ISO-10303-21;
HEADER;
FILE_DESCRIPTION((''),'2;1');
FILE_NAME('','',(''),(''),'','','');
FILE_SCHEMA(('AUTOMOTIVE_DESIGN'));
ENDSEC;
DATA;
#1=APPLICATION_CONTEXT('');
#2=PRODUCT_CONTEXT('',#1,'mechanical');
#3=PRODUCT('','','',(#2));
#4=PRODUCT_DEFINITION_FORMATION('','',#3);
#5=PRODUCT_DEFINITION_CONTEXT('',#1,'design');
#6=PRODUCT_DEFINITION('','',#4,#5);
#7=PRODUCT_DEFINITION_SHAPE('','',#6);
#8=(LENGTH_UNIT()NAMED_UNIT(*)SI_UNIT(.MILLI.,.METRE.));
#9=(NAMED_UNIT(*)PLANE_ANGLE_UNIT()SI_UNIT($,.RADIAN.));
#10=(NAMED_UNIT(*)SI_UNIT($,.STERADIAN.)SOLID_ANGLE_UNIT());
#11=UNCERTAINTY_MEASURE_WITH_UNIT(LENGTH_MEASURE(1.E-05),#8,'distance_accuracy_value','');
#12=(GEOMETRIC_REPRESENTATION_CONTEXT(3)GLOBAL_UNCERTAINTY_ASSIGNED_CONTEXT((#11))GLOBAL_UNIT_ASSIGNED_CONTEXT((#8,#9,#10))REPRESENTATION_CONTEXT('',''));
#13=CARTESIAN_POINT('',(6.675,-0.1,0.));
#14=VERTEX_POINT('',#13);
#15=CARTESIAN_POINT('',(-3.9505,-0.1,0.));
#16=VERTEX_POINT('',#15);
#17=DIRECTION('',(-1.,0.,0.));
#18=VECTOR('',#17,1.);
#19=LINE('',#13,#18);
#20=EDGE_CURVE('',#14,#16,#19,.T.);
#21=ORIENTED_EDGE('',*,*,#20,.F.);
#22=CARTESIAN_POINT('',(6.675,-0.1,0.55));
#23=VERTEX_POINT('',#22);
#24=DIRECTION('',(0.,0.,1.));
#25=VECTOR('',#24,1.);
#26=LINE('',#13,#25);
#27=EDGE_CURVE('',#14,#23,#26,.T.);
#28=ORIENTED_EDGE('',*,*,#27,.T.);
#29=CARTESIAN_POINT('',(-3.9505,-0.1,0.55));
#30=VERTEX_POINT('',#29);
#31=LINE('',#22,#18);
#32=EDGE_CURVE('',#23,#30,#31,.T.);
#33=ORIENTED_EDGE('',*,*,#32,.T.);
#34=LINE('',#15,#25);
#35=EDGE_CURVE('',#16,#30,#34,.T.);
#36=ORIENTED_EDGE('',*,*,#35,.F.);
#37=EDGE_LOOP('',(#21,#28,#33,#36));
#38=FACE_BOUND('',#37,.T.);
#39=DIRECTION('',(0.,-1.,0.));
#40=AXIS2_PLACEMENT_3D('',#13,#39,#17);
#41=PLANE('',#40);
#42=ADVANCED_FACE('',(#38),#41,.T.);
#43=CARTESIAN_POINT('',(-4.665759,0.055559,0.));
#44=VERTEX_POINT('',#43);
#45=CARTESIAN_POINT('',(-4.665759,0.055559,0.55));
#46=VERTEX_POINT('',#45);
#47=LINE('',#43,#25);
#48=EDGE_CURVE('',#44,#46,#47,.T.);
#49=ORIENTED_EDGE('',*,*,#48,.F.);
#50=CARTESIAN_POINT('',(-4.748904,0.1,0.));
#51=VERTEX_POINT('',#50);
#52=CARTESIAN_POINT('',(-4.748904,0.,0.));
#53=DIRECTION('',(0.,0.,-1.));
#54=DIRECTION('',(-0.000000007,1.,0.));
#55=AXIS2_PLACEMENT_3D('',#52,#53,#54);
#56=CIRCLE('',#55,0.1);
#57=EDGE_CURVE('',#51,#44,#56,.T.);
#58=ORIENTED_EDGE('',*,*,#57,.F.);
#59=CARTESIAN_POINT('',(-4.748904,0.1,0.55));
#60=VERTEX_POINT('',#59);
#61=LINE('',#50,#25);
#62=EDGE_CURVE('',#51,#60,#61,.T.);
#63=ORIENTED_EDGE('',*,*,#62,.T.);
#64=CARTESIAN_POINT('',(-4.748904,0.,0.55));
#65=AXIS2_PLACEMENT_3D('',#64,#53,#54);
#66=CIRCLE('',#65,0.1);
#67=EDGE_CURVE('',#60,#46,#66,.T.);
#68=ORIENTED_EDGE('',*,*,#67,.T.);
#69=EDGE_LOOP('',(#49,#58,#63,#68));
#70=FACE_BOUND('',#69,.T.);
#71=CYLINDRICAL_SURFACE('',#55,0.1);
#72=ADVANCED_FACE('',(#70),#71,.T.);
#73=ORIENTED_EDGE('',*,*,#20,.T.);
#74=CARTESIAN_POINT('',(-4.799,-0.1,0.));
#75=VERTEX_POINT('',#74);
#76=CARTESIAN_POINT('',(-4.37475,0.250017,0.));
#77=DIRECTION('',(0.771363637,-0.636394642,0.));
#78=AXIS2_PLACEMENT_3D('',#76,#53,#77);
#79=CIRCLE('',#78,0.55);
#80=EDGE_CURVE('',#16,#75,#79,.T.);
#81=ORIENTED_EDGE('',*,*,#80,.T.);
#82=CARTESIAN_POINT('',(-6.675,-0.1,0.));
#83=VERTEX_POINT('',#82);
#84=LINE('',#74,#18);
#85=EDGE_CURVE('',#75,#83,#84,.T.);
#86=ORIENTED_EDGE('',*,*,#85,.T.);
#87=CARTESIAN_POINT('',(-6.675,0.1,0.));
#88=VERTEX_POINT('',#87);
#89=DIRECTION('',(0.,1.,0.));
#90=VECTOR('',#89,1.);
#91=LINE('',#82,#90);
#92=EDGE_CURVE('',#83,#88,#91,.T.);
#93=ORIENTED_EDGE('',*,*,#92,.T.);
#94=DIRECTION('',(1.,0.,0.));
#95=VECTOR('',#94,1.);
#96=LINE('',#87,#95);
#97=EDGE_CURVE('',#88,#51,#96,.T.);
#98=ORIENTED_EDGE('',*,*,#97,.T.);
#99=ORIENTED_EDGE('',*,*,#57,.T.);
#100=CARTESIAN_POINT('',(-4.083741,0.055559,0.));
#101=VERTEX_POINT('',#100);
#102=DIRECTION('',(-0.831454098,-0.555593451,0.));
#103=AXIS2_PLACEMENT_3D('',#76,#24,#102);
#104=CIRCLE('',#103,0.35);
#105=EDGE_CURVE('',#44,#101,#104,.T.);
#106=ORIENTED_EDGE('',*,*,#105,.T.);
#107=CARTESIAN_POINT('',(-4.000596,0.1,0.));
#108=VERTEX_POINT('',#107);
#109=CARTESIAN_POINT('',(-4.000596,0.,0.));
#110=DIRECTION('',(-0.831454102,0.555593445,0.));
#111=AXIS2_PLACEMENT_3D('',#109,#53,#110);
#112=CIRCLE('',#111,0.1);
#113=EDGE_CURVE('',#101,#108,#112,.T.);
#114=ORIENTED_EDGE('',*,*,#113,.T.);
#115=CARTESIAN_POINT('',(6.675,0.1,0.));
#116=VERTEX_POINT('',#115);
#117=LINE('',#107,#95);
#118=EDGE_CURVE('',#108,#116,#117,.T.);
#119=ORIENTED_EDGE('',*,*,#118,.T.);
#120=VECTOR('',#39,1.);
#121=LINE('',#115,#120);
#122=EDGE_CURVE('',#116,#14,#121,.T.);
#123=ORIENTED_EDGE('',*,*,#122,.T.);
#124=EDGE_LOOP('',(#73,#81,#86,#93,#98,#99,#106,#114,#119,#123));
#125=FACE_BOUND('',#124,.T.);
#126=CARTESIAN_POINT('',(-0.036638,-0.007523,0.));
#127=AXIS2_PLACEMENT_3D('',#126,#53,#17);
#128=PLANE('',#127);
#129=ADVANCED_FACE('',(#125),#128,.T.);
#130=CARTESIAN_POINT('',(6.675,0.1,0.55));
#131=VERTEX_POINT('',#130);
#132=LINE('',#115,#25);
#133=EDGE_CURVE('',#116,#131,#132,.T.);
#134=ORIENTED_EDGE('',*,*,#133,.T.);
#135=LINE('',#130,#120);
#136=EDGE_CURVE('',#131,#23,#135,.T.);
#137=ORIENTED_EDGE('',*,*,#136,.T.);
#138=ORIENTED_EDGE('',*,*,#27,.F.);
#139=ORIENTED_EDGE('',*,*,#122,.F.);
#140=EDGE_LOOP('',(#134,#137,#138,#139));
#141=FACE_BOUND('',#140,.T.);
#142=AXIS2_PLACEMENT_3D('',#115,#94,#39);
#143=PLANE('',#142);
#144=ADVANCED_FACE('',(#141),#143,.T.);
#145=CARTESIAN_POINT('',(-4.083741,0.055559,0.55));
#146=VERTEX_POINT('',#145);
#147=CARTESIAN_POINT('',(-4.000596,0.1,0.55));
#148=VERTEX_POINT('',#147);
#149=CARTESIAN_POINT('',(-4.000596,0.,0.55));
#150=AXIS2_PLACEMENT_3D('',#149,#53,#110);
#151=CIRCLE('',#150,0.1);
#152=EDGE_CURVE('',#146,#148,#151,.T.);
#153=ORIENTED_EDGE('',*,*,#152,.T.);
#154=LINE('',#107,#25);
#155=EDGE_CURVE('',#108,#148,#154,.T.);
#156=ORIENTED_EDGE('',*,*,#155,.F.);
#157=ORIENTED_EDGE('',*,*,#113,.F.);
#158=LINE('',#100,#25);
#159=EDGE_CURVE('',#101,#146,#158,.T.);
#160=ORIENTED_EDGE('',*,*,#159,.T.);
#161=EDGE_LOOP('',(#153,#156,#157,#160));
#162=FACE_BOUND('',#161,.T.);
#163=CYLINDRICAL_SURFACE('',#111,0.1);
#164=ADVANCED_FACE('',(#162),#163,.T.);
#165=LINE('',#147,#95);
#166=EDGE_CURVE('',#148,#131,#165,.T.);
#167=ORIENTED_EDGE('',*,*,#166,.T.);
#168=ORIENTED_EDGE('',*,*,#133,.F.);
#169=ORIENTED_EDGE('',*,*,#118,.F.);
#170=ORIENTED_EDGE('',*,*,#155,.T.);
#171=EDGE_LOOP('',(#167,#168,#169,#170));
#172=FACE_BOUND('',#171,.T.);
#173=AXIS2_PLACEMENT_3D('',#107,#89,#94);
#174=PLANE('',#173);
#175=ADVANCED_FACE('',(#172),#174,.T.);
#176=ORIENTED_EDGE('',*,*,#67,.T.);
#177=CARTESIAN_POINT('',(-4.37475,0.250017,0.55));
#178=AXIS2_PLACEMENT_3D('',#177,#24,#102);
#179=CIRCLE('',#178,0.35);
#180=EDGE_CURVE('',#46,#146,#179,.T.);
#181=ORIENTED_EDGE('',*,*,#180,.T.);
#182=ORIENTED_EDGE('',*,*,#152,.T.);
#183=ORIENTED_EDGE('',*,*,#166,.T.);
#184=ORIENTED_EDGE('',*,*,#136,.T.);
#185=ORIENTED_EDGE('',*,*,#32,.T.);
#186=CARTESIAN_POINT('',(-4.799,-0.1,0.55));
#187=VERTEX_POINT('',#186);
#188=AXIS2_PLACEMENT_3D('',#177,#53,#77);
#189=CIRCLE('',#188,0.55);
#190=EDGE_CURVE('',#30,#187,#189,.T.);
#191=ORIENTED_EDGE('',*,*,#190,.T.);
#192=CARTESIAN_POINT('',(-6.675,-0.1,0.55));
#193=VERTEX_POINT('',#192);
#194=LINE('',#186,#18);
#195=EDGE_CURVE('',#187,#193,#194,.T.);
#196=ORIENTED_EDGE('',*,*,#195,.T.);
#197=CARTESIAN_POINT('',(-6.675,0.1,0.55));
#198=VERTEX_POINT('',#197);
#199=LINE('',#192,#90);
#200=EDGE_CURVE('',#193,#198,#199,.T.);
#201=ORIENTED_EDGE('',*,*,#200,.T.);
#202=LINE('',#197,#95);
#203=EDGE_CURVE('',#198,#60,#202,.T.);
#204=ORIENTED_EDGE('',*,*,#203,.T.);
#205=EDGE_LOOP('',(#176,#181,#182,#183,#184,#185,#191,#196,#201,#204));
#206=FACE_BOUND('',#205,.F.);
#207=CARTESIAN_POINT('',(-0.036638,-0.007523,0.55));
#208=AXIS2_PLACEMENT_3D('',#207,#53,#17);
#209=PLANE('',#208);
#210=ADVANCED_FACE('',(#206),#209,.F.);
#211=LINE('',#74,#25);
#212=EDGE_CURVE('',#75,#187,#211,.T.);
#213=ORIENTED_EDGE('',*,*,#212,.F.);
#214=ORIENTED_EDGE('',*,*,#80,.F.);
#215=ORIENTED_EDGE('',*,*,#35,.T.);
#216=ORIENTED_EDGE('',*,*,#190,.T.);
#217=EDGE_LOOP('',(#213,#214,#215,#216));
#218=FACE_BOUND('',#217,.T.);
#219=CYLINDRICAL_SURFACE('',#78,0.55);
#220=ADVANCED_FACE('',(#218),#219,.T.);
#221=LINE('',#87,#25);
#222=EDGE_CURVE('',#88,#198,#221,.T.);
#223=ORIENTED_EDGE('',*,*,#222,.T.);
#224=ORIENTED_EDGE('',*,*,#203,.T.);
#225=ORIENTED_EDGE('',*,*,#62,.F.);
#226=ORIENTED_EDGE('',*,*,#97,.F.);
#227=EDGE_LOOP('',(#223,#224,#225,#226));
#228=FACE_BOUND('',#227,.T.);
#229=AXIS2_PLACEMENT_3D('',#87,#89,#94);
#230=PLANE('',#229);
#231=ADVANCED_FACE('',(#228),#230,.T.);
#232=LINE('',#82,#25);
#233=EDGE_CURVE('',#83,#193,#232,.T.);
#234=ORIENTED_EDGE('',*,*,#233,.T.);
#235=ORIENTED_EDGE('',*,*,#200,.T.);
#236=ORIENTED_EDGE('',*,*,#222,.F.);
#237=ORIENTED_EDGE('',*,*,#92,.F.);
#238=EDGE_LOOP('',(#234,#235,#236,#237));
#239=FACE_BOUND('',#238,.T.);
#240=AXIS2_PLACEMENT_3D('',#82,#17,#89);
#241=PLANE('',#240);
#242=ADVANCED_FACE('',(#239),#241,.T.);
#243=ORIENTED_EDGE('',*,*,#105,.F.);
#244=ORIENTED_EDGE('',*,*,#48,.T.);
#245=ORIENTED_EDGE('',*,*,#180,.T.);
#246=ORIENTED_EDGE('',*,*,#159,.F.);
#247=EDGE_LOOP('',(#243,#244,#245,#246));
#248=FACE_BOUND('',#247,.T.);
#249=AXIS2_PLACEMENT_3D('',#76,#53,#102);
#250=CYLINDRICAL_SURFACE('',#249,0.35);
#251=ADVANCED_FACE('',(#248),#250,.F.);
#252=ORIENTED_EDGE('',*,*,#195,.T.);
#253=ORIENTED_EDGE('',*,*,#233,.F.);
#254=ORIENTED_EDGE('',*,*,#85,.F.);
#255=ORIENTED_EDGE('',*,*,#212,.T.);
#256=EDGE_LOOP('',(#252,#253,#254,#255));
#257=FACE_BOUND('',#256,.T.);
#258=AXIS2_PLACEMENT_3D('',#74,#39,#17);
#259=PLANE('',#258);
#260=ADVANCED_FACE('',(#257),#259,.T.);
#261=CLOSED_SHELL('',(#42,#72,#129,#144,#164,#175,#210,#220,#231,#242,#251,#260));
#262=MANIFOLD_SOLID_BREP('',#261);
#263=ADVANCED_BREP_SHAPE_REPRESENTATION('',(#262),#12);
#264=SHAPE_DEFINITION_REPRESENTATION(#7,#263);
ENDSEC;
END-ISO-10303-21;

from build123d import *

# Parameters (mm, degrees)
RESSALTO_EXTRUS_O1_DEPTH = 0.55


with BuildPart() as part:
    # Esboço1 → Ressalto-extrusão1 (new body)
    with BuildSketch(Plane.XY):
        with BuildLine():
            Line((-4.000595656, 0.1), (6.675, 0.1))
            Line((6.675, 0.1), (6.675, -0.1))
            Line((6.675, -0.1), (-3.9505, -0.1))
            ThreePointArc((-3.9505, -0.1), (-4.37475, -0.299982947), (-4.799, -0.1))
            Line((-4.799, -0.1), (-6.675, -0.1))
            Line((-6.675, -0.1), (-6.675, 0.1))
            Line((-6.675, 0.1), (-4.748904344, 0.1))
            ThreePointArc((-4.748904344, 0.1), (-4.701765902, 0.088192785), (-4.665758934, 0.055559345))
            ThreePointArc((-4.665758934, 0.055559345), (-4.37475, -0.099982947), (-4.083741066, 0.055559345))
            ThreePointArc((-4.083741066, 0.055559345), (-4.047734098, 0.088192785), (-4.000595656, 0.1))
        make_face()
    extrude(amount=RESSALTO_EXTRUS_O1_DEPTH)


solid = part.part
